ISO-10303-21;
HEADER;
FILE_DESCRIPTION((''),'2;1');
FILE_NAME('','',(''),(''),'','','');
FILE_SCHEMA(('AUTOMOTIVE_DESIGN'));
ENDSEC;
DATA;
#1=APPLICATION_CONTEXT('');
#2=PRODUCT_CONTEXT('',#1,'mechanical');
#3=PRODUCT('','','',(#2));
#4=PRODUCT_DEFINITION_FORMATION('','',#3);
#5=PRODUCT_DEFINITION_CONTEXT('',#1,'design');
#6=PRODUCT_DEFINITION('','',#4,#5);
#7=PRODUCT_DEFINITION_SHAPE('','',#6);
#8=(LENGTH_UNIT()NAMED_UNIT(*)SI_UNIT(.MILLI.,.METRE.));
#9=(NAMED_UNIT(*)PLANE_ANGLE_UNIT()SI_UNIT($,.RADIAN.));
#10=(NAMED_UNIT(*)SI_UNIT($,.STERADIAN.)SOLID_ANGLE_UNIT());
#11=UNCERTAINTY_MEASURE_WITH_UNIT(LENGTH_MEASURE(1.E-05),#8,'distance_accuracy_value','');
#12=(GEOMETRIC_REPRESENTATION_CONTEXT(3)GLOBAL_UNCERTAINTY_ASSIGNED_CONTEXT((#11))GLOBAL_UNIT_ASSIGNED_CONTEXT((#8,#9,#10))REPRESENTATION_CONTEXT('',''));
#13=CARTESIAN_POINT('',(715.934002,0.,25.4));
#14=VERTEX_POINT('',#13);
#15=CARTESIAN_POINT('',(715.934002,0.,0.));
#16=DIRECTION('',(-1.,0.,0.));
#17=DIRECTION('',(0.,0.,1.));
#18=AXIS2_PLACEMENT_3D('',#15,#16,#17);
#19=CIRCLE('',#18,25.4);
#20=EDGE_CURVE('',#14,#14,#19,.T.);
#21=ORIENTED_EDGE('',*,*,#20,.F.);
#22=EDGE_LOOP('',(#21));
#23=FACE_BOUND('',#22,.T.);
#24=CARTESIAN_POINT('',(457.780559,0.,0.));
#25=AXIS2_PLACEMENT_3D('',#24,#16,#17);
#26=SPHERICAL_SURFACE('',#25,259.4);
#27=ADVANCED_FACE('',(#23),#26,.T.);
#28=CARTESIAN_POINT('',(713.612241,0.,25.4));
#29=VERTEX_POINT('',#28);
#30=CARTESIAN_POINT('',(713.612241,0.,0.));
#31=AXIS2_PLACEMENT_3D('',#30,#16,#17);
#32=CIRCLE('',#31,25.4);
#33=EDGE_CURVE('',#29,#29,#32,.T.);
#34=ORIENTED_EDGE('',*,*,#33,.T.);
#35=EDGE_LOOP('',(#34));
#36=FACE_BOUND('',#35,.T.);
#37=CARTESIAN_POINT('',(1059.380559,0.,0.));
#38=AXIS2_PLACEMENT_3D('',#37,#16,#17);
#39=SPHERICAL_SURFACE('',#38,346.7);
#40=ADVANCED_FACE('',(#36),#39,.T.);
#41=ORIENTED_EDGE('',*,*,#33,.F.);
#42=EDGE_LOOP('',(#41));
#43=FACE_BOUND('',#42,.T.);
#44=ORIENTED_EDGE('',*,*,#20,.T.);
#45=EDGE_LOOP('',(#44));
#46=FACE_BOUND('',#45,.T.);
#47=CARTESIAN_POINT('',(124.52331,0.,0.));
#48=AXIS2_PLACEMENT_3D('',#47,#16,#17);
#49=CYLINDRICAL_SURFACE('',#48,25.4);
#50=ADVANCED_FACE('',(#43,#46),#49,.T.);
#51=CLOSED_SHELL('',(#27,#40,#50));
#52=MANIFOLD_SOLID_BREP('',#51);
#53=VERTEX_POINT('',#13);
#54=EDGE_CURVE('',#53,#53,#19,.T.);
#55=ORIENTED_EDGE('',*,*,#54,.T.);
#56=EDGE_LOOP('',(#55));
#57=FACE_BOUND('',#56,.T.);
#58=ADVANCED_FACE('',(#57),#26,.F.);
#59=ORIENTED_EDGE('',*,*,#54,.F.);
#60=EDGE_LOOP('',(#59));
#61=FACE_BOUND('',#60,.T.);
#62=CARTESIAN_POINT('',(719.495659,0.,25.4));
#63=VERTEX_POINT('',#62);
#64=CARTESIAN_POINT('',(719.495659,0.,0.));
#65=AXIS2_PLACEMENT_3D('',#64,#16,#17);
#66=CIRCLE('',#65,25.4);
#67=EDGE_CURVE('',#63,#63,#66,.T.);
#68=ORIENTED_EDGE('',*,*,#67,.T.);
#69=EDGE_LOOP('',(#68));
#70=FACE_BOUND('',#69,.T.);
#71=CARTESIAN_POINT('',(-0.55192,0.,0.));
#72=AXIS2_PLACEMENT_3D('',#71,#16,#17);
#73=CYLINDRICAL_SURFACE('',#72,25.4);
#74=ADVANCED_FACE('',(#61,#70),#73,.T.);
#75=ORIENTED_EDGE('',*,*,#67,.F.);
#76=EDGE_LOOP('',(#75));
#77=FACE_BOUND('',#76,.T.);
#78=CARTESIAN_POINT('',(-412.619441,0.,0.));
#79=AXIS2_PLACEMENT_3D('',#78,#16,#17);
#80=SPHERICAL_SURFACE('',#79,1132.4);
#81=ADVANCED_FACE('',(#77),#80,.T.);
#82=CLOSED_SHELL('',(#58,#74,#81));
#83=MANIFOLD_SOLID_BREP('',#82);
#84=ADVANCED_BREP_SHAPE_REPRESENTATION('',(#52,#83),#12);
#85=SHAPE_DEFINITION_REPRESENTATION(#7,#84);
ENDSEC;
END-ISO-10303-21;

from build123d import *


with BuildPart() as part:
    # 草图1 one side → 旋转1 (revolve)
    with BuildSketch(Plane(origin=(0, 0, 0), x_dir=(1, 0, 0), z_dir=(0, 1, 0)), mode=Mode.PRIVATE) as revolve_1_sk:
        with BuildLine():
            ThreePointArc((713.612240888, 25.4), (712.913557971, 12.708540737), (712.680559274, 0))
            Line((712.680559274, 0), (717.180559274, 0))
            ThreePointArc((717.180559274, 0), (716.868732535, 12.715285142), (715.934002017, 25.4))
            Line((715.934002017, 25.4), (713.612240888, 25.4))
        make_face()
    revolve(revolve_1_sk.sketch.rotate(Axis((124.523309526, 0, 0), (1, 0, 0)), 180), axis=Axis((124.523309526, 0, 0), (1, 0, 0)))  # turned: the seam where the file's is


with BuildPart() as body_2:
    # 草图2 one side → 旋转3 (revolve)
    with BuildSketch(Plane(origin=(0, 0, 0), x_dir=(1, 0, 0), z_dir=(0, 1, 0)), mode=Mode.PRIVATE) as revolve_3_sk:
        with BuildLine():
            Line((719.49565943, 25.4), (715.934002017, 25.4))
            ThreePointArc((715.934002017, 25.4), (716.868732535, 12.715285142), (717.180559274, 0))
            Line((717.180559274, 0), (719.780559274, 0))
            ThreePointArc((719.780559274, 0), (719.709332073, 12.700798872), (719.49565943, 25.4))
        make_face()
    revolve(revolve_3_sk.sketch.rotate(Axis((-0.551919993, 0, 0), (1, 0, 0)), 180), axis=Axis((-0.551919993, 0, 0), (1, 0, 0)))  # turned: the seam where the file's is


solid = Compound([part.part, body_2.part])
